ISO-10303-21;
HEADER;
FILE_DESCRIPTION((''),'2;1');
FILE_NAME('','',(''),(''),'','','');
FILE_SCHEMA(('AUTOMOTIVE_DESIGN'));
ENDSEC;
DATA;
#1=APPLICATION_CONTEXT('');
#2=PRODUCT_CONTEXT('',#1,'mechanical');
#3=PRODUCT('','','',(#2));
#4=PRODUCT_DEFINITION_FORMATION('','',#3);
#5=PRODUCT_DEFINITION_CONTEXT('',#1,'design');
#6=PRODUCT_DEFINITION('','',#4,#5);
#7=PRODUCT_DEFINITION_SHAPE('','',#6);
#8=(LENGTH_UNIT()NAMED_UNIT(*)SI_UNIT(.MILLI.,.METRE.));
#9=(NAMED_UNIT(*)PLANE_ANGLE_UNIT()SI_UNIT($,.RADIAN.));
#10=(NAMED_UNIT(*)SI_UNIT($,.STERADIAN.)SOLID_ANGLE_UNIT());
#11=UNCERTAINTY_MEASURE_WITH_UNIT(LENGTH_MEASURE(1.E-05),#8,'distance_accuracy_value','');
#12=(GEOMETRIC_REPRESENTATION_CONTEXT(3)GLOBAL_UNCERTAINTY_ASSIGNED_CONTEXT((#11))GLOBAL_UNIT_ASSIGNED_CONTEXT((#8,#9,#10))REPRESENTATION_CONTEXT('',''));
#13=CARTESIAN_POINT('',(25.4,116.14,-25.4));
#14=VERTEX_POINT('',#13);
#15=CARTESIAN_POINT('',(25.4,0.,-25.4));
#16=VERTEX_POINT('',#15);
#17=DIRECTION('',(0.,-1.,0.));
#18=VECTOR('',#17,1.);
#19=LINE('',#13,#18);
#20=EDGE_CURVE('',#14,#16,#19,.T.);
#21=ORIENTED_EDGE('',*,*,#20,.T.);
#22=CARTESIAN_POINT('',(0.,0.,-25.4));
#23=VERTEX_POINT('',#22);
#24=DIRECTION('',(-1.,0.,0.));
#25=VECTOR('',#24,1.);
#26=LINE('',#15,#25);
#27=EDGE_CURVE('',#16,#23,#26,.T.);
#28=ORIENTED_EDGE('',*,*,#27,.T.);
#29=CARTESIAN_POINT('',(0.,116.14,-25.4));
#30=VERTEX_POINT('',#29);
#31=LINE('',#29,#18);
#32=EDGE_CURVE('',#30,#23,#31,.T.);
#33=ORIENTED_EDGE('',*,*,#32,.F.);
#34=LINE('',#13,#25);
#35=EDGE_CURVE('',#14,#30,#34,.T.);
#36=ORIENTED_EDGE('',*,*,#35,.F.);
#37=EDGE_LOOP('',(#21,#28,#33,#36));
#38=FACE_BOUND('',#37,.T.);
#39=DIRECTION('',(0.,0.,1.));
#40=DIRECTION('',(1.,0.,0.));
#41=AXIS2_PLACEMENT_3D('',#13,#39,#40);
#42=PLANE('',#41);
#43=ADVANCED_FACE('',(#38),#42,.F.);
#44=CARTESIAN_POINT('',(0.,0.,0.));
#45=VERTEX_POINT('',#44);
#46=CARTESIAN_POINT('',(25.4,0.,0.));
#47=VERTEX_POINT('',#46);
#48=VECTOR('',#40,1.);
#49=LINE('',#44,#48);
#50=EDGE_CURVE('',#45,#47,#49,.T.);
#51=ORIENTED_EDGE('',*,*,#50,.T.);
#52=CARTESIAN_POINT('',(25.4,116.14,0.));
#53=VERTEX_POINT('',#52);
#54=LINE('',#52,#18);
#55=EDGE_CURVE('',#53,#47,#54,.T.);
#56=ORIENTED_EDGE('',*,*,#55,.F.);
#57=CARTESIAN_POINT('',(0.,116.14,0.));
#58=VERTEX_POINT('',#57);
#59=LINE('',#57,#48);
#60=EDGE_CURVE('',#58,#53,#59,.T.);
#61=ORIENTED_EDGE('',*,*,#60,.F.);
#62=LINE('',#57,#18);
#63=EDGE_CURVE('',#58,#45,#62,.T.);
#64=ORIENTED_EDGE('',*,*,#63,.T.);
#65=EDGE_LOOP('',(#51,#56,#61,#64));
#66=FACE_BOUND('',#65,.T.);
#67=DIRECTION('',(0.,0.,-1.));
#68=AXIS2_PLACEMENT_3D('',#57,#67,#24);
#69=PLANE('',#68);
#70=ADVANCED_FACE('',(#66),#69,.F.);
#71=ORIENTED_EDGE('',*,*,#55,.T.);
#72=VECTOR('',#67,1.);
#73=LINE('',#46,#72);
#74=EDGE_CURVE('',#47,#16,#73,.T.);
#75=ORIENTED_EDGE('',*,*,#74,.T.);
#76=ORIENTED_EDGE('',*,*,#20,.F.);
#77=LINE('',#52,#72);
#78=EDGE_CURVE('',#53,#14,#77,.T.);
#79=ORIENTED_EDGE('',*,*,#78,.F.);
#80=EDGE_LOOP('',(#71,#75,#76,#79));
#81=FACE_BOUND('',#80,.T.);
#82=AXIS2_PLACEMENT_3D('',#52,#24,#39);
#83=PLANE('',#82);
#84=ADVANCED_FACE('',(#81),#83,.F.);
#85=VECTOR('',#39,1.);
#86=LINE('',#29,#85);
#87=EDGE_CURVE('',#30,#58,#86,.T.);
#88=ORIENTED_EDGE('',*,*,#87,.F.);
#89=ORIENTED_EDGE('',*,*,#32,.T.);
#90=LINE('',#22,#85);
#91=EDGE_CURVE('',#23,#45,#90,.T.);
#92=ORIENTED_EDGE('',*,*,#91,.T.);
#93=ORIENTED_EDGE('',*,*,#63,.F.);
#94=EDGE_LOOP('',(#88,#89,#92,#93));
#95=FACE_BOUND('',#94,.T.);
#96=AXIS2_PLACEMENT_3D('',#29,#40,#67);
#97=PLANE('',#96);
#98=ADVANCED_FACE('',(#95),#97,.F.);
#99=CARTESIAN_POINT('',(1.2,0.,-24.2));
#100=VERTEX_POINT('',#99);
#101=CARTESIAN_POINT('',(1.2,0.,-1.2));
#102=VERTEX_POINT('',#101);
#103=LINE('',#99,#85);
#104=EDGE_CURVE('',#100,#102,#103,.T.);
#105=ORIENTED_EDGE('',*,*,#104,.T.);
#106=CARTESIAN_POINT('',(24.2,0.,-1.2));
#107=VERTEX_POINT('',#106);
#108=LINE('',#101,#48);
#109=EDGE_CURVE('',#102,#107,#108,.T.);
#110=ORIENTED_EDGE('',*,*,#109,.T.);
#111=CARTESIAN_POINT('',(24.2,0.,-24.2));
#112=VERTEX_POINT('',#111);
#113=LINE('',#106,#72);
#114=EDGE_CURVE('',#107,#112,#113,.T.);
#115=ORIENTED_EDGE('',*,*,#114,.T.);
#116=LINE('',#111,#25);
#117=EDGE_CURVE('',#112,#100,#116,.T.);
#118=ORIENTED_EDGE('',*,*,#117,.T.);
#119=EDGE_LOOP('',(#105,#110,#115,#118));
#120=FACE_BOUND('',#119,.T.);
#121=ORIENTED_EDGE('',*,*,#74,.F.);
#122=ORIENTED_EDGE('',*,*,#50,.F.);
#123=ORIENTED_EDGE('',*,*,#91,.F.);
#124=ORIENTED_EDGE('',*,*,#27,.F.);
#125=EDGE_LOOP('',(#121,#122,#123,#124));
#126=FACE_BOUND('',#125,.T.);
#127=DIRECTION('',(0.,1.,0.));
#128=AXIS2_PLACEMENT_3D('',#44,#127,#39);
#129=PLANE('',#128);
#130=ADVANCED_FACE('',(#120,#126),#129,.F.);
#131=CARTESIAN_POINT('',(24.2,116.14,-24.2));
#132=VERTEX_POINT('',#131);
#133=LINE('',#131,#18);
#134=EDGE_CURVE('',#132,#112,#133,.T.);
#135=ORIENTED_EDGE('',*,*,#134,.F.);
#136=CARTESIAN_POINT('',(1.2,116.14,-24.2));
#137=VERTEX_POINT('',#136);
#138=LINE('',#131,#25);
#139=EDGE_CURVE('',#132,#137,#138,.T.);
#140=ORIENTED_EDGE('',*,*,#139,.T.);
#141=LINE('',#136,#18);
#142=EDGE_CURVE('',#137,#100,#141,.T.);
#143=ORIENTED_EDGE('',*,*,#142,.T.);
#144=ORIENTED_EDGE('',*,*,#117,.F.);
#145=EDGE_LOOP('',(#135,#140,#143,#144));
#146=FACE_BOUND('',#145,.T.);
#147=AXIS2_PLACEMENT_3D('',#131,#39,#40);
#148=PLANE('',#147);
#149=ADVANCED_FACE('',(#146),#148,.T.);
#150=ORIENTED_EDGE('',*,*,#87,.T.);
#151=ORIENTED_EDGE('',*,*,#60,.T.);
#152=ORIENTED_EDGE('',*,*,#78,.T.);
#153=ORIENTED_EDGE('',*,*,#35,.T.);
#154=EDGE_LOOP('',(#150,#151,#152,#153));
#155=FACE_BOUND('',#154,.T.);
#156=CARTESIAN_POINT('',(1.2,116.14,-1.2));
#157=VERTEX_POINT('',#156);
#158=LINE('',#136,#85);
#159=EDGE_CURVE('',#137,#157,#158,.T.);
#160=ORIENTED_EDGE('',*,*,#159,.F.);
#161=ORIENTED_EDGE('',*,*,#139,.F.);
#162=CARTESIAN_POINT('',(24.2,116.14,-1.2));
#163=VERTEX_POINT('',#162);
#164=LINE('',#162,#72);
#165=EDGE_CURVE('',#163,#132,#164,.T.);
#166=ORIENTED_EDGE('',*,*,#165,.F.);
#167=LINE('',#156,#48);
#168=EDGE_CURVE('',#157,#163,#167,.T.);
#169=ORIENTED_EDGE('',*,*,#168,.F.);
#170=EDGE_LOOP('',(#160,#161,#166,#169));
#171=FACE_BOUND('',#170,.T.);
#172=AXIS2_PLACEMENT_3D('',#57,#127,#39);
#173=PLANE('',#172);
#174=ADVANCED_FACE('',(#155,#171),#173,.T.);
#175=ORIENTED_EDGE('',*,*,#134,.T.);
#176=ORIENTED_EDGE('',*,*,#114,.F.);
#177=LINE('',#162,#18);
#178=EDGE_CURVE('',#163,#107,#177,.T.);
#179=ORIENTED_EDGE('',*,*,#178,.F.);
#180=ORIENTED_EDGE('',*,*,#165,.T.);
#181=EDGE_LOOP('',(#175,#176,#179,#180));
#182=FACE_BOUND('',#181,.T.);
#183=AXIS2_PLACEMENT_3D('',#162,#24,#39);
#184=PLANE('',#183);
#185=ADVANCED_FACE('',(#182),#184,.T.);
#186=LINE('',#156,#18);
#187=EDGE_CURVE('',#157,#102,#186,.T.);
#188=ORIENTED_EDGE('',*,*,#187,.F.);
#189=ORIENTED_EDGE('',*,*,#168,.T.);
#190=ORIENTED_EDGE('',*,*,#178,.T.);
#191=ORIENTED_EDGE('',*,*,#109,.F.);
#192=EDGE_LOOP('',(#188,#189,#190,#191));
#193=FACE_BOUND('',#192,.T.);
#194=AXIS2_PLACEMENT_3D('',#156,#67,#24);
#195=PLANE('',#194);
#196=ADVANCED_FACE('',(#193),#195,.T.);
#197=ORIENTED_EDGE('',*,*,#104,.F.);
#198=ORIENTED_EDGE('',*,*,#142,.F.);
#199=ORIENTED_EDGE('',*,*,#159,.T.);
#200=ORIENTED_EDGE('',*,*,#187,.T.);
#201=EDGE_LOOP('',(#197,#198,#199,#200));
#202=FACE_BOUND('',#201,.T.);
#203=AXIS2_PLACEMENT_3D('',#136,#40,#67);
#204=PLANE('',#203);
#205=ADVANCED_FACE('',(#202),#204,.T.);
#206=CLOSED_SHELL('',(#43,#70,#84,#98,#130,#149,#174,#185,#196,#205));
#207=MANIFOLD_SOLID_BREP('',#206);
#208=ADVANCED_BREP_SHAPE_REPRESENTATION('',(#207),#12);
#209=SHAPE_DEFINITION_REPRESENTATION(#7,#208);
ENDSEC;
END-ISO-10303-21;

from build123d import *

# Parameters (mm, degrees)
SKETCH1_W           = 25.4
SKETCH1_H           = 25.4
SKETCH1_W_2         = 23
SKETCH1_H_2         = 23
BOSS_EXTRUDE1_DEPTH = 116.14


with BuildPart() as part:
    # Sketch1 → Boss-Extrude1 (new body)
    with BuildSketch(Plane(origin=(0, 0, 0), x_dir=(1, 0, 0), z_dir=(0, 1, 0))):
        with Locations((12.7, 12.7)):
            Rectangle(SKETCH1_W, SKETCH1_H)
        with Locations((12.7, 12.7)):
            Rectangle(SKETCH1_W_2, SKETCH1_H_2, mode=Mode.SUBTRACT)
    extrude(amount=BOSS_EXTRUDE1_DEPTH)


solid = part.part
